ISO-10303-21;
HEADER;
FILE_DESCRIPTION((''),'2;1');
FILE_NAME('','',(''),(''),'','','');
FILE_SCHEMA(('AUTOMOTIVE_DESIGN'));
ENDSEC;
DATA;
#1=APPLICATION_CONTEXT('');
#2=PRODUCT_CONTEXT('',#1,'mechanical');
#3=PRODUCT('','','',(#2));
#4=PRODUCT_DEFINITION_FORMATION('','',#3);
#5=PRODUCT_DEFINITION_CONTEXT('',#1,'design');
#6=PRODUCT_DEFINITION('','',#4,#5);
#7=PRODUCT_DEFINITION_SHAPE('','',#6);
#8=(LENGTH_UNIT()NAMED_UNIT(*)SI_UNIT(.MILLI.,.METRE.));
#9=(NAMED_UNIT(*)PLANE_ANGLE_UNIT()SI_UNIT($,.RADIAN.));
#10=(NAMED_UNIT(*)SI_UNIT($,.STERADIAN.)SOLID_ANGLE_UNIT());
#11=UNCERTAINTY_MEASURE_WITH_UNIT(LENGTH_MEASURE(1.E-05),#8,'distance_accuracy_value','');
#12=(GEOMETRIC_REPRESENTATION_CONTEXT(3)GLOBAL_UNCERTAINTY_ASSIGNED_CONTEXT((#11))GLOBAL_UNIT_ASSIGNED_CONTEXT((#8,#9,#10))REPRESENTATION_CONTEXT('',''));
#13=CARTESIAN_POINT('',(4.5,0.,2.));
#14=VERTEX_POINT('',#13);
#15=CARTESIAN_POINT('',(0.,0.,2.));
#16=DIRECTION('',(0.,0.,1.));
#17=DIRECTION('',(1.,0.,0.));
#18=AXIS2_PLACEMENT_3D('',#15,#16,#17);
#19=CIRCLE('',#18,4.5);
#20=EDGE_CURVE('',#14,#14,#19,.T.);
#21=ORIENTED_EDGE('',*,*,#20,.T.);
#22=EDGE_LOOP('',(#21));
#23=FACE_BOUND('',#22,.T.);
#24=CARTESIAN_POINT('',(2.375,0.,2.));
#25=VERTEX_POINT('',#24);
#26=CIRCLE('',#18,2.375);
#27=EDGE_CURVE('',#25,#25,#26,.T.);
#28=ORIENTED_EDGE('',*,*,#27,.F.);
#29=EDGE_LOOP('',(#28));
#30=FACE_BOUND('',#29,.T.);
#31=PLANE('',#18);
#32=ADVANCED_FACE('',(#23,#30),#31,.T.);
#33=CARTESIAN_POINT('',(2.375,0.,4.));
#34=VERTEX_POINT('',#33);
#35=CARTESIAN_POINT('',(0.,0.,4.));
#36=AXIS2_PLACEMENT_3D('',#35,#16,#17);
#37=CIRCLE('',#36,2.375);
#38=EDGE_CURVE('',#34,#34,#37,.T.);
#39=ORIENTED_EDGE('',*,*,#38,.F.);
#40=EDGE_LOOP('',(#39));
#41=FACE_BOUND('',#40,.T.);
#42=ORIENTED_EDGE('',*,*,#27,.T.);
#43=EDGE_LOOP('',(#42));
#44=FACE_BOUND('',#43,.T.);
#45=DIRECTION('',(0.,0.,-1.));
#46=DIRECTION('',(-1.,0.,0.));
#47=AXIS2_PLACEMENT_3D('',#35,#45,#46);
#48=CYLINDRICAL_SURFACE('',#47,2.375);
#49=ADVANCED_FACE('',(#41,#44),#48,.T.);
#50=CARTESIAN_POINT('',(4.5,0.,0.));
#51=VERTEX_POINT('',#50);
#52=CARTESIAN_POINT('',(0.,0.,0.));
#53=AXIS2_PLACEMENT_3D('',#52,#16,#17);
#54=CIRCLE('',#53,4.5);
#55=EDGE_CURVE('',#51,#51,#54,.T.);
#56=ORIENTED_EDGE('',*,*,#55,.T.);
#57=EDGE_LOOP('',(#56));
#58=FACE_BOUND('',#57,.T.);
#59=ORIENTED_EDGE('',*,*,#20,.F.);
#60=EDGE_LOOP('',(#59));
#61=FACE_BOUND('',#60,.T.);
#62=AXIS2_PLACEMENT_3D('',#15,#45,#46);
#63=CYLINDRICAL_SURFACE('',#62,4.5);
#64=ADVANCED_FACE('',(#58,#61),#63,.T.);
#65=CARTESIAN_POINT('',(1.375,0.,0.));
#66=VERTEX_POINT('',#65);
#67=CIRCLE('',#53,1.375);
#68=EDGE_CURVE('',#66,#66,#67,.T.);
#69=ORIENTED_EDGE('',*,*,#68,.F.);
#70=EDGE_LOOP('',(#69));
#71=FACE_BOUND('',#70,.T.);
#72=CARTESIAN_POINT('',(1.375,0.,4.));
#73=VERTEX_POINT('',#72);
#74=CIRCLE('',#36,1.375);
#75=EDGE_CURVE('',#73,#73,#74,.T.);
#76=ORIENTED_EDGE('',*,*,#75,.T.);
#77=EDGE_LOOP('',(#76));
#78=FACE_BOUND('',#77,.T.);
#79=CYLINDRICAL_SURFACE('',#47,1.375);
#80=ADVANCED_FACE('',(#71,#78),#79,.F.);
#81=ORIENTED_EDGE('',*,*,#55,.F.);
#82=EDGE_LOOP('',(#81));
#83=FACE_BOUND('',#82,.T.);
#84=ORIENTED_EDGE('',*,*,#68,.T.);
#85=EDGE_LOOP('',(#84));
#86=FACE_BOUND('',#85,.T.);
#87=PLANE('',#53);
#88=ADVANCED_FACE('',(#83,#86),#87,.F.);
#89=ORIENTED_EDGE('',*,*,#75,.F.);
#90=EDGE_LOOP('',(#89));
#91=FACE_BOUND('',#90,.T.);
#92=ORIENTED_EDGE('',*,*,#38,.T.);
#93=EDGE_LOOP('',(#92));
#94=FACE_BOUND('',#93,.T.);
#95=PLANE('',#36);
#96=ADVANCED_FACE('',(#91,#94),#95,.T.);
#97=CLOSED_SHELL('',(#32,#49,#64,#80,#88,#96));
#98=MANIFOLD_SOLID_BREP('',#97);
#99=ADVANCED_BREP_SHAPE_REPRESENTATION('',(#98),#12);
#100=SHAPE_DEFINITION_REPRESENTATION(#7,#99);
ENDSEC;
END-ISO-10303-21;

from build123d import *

# Parameters (mm, degrees)
SKETCH3_R           = 2.375
SKETCH3_R_2         = 1.375
BOSS_EXTRUDE1_DEPTH = 4
SKETCH3_3_R         = 4.5
SKETCH3_3_R_2       = 2.375
BOSS_EXTRUDE2_DEPTH = 2


with BuildPart() as part:
    # Sketch3 → Boss-Extrude1 (new body)
    with BuildSketch(Plane.XY):
        Circle(SKETCH3_R)
        Circle(SKETCH3_R_2, mode=Mode.SUBTRACT)
    extrude(amount=BOSS_EXTRUDE1_DEPTH)

    # Sketch3<3> → Boss-Extrude2 (add)
    with BuildSketch(Plane.XY):
        Circle(SKETCH3_3_R)
        Circle(SKETCH3_3_R_2, mode=Mode.SUBTRACT)
    extrude(amount=BOSS_EXTRUDE2_DEPTH)


solid = part.part
